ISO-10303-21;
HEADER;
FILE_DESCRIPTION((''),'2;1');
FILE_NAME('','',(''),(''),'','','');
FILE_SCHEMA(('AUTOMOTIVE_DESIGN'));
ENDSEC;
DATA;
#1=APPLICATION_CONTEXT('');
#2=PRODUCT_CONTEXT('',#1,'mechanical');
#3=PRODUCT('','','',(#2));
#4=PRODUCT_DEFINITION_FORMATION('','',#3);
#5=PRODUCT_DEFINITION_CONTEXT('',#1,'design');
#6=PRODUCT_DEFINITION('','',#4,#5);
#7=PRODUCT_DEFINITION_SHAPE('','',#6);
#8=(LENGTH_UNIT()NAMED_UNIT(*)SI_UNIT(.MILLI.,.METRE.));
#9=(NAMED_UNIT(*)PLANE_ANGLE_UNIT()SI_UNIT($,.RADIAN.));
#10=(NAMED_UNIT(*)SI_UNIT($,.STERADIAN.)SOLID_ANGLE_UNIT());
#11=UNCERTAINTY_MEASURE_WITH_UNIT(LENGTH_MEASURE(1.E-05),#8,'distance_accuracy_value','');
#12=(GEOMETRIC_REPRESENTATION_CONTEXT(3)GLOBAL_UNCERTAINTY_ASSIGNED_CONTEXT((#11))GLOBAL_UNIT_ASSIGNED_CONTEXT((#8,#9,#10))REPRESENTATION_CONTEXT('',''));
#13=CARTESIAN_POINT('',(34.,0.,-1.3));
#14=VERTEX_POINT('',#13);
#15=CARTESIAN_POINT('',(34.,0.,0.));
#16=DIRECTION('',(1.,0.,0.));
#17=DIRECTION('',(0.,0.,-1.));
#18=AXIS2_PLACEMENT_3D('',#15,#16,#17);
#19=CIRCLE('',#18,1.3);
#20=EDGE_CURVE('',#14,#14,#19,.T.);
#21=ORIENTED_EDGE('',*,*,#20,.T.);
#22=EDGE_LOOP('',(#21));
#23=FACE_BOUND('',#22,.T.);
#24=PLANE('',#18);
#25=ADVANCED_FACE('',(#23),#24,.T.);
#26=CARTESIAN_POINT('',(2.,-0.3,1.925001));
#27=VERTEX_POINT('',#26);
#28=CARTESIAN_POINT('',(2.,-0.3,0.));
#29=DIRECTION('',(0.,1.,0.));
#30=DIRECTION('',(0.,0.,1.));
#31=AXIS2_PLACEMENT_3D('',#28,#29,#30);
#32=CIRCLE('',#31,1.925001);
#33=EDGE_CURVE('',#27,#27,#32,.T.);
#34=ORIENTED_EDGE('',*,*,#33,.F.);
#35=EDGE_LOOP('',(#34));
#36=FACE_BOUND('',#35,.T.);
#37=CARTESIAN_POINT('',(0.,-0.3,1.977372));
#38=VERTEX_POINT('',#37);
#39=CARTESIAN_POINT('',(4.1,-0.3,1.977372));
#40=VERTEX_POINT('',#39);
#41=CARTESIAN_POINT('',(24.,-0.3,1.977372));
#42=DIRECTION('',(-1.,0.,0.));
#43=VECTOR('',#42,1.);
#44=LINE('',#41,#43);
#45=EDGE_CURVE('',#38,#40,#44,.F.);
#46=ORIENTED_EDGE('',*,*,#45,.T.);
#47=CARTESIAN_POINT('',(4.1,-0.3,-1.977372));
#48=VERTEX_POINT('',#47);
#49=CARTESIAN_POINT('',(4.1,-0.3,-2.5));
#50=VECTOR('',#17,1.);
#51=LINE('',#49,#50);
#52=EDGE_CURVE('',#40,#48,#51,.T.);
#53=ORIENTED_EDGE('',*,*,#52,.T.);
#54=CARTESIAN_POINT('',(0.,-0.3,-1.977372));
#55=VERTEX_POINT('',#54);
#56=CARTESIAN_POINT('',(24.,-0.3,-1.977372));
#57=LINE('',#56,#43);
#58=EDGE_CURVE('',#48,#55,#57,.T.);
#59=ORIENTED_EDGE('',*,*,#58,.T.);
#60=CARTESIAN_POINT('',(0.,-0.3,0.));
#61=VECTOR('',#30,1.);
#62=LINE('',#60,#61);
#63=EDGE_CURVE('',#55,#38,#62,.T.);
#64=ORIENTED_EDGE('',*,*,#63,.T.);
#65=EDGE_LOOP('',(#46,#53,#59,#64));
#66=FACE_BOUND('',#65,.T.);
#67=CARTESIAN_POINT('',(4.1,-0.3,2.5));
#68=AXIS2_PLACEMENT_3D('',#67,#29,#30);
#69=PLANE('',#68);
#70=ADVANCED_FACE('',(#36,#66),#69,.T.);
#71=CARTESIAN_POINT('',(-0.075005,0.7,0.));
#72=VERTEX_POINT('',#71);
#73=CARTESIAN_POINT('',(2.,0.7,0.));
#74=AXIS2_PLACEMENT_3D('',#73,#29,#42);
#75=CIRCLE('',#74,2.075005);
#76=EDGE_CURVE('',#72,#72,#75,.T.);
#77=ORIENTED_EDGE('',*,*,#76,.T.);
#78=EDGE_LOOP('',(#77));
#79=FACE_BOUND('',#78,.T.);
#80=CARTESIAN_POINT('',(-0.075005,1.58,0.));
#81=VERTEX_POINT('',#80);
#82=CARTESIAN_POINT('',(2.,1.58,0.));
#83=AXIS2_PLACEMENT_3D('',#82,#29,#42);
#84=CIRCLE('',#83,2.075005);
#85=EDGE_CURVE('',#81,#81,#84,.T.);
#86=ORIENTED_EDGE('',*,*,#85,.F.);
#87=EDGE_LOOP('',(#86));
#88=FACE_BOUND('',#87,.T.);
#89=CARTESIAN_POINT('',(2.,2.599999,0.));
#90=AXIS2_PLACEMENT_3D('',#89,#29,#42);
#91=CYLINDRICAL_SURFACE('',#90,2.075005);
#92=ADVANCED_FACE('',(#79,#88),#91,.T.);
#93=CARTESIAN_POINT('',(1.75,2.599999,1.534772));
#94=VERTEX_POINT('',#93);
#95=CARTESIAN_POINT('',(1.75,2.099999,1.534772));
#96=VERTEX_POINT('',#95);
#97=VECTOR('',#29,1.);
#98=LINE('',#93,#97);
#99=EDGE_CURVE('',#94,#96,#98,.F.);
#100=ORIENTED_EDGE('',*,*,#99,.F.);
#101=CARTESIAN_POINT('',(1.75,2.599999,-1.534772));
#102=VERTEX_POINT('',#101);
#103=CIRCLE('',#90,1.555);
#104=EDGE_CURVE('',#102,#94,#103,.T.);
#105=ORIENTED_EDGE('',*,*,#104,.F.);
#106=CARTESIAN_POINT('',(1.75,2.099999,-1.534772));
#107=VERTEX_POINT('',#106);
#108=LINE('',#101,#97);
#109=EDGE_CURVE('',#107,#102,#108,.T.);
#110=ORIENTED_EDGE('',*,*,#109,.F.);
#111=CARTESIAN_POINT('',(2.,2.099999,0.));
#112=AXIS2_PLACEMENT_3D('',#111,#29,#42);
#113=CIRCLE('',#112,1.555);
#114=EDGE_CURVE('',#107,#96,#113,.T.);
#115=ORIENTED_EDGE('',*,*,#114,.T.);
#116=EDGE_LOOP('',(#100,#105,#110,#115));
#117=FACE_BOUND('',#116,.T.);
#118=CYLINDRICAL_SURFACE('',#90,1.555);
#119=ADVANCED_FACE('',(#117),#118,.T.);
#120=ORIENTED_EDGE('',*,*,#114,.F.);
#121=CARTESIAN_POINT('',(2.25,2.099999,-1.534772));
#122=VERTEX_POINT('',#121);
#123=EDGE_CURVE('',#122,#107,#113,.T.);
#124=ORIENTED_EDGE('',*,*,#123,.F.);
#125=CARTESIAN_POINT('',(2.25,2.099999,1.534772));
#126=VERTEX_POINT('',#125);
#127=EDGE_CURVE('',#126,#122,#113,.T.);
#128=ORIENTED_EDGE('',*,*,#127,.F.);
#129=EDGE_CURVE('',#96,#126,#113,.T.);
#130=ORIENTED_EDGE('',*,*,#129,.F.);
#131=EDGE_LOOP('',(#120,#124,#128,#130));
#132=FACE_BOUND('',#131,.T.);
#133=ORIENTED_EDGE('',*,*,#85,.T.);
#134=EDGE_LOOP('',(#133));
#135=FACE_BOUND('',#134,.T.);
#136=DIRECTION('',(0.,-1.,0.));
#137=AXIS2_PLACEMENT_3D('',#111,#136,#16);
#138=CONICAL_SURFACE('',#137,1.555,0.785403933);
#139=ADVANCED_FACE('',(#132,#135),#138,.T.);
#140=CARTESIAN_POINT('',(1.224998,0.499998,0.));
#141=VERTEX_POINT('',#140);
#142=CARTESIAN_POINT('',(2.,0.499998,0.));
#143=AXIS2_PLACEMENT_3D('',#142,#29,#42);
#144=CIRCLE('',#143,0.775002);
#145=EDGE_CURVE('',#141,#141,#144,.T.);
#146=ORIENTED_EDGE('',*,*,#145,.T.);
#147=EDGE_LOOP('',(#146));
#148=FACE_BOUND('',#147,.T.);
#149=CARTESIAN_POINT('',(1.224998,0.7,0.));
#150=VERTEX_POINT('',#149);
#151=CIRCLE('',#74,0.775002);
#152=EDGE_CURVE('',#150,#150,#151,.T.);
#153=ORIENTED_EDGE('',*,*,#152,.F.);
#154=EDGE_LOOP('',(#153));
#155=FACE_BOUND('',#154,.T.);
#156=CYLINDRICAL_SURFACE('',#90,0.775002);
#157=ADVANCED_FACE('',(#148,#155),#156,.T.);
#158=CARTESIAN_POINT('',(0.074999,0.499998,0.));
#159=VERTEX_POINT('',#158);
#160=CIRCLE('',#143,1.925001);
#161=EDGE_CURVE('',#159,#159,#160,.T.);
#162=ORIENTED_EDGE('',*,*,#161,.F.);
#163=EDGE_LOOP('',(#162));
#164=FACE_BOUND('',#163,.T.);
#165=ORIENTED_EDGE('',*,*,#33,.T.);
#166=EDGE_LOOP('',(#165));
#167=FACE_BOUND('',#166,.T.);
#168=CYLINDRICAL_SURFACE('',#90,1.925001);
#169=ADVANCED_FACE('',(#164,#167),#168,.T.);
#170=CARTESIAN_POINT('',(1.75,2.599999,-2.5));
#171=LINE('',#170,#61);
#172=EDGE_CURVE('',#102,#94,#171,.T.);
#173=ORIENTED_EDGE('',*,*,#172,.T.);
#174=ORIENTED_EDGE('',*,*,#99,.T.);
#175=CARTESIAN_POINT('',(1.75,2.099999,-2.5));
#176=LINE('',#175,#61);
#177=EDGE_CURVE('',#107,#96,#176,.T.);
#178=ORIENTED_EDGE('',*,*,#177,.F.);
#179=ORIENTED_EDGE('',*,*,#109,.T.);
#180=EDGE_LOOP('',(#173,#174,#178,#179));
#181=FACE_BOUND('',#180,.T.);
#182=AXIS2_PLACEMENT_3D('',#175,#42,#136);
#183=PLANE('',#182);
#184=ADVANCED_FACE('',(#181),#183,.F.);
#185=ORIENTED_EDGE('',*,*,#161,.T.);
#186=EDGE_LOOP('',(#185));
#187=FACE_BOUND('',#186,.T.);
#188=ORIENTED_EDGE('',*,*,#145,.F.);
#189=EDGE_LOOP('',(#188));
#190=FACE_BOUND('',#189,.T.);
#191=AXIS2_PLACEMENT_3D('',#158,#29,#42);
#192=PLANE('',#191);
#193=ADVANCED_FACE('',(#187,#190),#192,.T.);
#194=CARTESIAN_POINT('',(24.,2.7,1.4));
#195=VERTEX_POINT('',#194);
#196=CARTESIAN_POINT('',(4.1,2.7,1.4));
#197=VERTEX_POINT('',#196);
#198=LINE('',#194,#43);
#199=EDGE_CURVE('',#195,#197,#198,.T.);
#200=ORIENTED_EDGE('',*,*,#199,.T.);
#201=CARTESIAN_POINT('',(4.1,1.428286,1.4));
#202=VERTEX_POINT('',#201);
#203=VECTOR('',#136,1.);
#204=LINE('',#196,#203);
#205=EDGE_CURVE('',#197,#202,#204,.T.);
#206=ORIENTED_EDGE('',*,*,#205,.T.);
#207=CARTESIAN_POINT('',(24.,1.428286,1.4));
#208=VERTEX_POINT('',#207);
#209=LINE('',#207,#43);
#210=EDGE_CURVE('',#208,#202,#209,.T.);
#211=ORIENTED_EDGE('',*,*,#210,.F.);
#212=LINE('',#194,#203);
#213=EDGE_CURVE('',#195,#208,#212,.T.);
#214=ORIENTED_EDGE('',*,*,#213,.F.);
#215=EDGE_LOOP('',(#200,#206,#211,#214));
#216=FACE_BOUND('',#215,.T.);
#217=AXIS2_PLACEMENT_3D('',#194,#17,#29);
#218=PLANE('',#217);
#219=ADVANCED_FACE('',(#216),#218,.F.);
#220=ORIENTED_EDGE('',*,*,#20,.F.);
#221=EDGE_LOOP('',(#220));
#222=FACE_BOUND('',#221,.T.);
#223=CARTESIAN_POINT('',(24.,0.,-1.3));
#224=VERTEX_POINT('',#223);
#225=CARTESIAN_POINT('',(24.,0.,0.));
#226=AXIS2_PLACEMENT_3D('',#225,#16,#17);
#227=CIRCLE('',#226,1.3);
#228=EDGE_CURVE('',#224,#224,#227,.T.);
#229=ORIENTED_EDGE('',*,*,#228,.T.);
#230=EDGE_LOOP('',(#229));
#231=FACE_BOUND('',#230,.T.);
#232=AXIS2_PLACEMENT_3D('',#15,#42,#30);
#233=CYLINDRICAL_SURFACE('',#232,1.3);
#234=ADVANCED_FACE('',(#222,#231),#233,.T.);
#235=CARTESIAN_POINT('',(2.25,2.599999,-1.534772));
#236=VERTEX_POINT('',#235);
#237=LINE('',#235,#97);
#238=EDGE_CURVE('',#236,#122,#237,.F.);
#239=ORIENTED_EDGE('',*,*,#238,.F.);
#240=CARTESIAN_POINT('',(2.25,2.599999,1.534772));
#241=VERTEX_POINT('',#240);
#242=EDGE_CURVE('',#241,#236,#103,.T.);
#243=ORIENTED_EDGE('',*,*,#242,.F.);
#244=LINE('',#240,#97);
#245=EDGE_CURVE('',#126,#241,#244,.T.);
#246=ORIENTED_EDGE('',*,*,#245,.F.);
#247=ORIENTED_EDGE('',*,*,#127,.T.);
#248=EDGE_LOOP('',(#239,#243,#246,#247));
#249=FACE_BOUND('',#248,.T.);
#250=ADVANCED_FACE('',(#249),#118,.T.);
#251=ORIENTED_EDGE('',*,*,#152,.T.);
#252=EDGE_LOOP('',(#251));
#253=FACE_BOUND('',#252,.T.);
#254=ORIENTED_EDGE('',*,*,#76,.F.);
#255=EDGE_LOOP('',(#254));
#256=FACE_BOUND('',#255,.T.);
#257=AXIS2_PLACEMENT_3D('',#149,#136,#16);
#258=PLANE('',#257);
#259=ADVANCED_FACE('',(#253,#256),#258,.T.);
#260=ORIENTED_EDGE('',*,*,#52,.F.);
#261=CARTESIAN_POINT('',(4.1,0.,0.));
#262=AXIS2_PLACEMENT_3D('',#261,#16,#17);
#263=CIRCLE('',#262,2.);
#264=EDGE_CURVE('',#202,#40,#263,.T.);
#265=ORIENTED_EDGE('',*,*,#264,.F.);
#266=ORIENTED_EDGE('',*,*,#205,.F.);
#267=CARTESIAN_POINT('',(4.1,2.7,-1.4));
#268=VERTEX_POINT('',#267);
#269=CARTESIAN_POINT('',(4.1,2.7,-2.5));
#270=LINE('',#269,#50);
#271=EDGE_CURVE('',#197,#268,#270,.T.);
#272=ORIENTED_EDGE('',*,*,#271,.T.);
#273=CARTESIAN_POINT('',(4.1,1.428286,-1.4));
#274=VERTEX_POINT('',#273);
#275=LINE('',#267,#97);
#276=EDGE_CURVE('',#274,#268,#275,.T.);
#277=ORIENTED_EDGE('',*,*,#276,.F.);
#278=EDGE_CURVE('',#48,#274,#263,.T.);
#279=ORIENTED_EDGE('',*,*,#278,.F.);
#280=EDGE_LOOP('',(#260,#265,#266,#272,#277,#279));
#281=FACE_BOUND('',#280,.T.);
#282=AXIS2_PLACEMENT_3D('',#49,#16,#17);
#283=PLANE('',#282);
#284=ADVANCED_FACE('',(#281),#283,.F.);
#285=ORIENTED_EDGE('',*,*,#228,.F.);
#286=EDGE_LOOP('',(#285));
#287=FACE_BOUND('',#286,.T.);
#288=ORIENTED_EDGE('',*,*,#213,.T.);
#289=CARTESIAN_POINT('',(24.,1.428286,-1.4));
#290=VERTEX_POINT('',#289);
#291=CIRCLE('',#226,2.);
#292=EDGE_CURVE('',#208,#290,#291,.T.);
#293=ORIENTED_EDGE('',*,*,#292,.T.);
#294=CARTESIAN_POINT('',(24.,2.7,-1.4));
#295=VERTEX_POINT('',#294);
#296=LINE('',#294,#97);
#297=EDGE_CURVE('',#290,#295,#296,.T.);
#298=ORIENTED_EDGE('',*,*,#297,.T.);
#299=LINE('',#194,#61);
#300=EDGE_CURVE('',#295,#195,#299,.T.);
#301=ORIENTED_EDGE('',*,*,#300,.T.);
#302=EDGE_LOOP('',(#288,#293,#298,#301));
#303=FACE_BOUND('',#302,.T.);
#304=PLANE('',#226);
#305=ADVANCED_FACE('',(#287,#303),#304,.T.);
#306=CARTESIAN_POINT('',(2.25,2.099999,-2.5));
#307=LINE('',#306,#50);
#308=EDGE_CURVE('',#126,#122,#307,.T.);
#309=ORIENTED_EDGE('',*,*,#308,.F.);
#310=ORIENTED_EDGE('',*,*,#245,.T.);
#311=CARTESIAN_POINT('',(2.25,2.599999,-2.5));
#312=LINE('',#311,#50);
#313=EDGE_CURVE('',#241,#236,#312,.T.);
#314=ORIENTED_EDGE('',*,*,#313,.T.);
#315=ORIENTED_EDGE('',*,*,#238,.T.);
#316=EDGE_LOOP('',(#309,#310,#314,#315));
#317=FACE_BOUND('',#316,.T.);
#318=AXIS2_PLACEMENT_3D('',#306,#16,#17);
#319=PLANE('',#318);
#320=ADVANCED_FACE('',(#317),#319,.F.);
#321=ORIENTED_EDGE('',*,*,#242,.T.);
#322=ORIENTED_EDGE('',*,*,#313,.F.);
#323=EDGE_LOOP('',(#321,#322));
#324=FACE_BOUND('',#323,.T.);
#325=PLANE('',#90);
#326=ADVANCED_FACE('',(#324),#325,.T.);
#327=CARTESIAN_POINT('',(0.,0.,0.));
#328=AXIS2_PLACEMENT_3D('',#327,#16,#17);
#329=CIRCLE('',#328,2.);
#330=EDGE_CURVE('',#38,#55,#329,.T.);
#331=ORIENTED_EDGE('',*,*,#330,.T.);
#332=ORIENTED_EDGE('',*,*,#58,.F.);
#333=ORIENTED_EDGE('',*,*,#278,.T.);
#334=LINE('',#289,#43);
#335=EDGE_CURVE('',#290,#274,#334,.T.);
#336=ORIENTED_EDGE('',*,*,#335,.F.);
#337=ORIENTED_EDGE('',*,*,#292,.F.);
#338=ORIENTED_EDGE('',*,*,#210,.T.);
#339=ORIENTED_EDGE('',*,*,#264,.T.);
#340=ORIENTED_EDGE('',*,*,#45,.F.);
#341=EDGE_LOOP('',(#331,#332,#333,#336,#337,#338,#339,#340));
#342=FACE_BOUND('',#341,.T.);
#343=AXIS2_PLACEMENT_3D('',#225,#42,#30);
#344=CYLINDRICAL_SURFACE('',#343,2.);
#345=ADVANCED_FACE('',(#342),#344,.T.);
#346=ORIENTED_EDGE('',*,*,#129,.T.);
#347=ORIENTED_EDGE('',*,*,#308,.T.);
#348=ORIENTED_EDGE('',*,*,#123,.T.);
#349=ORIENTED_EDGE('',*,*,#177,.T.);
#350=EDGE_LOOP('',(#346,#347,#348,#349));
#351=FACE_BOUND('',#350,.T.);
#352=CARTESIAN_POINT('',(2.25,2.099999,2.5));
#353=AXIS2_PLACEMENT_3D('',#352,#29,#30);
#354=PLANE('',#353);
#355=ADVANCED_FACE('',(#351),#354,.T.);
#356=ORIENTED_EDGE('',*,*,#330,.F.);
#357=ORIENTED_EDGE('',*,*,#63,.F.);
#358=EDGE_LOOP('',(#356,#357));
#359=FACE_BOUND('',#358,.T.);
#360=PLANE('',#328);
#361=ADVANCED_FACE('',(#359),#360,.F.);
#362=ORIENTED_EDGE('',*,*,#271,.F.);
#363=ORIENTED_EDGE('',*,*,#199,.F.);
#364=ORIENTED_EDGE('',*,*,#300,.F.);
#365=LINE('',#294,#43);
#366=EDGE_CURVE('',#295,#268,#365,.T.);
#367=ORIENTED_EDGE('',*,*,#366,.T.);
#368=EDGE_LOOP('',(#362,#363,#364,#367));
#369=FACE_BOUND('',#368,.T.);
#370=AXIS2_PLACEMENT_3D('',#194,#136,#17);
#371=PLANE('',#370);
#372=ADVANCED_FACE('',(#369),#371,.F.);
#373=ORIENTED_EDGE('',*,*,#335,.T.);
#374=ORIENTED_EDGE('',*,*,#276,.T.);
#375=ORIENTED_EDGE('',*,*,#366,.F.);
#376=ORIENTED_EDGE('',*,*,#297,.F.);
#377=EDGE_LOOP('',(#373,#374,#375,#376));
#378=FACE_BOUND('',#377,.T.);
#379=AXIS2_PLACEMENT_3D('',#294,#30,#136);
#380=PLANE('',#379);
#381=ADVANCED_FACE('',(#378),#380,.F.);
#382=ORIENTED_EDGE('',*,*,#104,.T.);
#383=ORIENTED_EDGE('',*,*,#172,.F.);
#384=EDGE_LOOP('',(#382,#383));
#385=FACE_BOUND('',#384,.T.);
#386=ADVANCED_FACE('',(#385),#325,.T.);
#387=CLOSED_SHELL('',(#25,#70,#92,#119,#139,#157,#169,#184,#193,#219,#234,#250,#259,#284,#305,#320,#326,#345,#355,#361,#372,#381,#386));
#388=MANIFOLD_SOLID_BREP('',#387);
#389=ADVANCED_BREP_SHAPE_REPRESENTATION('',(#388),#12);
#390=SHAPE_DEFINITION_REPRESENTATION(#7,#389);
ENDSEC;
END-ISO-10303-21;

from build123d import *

# Parameters (mm, degrees)
BOSS_EXTRUDE1_DEPTH = 24
SKETCH2_W           = 8.2
SKETCH2_H           = 5
CUT_EXTRUDE1_DEPTH  = 3
SKETCH4_W           = 0.5
SKETCH4_H           = 5
CUT_EXTRUDE2_DEPTH  = 0.5
SKETCH5_R           = 1.3
BOSS_EXTRUDE2_DEPTH = 10


with BuildPart() as part:
    # Sketch1 → Boss-Extrude1 (new body)
    with BuildSketch(Plane(origin=(0, 0, 0), x_dir=(0, 0, -1), z_dir=(1, 0, 0))):
        with BuildLine():
            Line((-1.4, 2.7), (1.4, 2.7))
            Line((1.4, 2.7), (1.4, 1.428285686))
            ThreePointArc((1.4, 1.428285686), (0, -2), (-1.4, 1.428285686))
            Line((-1.4, 1.428285686), (-1.4, 2.7))
        make_face()
    extrude(amount=BOSS_EXTRUDE1_DEPTH)

    # Sketch2 → Cut-Extrude1 (cut)
    with BuildSketch(Plane(origin=(0, 2.7, 0), x_dir=(1, 0, 0), z_dir=(0, 1, 0))):
        Rectangle(SKETCH2_W, SKETCH2_H)
    extrude(amount=-CUT_EXTRUDE1_DEPTH, mode=Mode.SUBTRACT)

    # Sketch3 → Revolve1 (revolve)
    with BuildSketch(Plane.XY):
        Polygon((0.074999, 0.499998), (1.224998, 0.499998), (1.224998, 0.7), (-0.075005, 0.7), (-0.075005, 1.58), (0.445, 2.099999), (0.445, 2.599999), (2, 2.599999), (2, -0.3), (0.074999, -0.3), align=None)
    revolve(axis=Axis((2, 2.599999, 0), (0, -1, 0)))

    # Sketch4 → Cut-Extrude2 (cut)
    with BuildSketch(Plane(origin=(0, 2.599999, 0), x_dir=(1, 0, 0), z_dir=(0, 1, 0))):
        with Locations((2, 0)):
            Rectangle(SKETCH4_W, SKETCH4_H)
    extrude(amount=-CUT_EXTRUDE2_DEPTH, mode=Mode.SUBTRACT)

    # Sketch5 → Boss-Extrude2 (add)
    with BuildSketch(Plane(origin=(24, 0, 0), x_dir=(0, 0, -1), z_dir=(1, 0, 0))):
        Circle(SKETCH5_R)
    extrude(amount=BOSS_EXTRUDE2_DEPTH)


solid = part.part
